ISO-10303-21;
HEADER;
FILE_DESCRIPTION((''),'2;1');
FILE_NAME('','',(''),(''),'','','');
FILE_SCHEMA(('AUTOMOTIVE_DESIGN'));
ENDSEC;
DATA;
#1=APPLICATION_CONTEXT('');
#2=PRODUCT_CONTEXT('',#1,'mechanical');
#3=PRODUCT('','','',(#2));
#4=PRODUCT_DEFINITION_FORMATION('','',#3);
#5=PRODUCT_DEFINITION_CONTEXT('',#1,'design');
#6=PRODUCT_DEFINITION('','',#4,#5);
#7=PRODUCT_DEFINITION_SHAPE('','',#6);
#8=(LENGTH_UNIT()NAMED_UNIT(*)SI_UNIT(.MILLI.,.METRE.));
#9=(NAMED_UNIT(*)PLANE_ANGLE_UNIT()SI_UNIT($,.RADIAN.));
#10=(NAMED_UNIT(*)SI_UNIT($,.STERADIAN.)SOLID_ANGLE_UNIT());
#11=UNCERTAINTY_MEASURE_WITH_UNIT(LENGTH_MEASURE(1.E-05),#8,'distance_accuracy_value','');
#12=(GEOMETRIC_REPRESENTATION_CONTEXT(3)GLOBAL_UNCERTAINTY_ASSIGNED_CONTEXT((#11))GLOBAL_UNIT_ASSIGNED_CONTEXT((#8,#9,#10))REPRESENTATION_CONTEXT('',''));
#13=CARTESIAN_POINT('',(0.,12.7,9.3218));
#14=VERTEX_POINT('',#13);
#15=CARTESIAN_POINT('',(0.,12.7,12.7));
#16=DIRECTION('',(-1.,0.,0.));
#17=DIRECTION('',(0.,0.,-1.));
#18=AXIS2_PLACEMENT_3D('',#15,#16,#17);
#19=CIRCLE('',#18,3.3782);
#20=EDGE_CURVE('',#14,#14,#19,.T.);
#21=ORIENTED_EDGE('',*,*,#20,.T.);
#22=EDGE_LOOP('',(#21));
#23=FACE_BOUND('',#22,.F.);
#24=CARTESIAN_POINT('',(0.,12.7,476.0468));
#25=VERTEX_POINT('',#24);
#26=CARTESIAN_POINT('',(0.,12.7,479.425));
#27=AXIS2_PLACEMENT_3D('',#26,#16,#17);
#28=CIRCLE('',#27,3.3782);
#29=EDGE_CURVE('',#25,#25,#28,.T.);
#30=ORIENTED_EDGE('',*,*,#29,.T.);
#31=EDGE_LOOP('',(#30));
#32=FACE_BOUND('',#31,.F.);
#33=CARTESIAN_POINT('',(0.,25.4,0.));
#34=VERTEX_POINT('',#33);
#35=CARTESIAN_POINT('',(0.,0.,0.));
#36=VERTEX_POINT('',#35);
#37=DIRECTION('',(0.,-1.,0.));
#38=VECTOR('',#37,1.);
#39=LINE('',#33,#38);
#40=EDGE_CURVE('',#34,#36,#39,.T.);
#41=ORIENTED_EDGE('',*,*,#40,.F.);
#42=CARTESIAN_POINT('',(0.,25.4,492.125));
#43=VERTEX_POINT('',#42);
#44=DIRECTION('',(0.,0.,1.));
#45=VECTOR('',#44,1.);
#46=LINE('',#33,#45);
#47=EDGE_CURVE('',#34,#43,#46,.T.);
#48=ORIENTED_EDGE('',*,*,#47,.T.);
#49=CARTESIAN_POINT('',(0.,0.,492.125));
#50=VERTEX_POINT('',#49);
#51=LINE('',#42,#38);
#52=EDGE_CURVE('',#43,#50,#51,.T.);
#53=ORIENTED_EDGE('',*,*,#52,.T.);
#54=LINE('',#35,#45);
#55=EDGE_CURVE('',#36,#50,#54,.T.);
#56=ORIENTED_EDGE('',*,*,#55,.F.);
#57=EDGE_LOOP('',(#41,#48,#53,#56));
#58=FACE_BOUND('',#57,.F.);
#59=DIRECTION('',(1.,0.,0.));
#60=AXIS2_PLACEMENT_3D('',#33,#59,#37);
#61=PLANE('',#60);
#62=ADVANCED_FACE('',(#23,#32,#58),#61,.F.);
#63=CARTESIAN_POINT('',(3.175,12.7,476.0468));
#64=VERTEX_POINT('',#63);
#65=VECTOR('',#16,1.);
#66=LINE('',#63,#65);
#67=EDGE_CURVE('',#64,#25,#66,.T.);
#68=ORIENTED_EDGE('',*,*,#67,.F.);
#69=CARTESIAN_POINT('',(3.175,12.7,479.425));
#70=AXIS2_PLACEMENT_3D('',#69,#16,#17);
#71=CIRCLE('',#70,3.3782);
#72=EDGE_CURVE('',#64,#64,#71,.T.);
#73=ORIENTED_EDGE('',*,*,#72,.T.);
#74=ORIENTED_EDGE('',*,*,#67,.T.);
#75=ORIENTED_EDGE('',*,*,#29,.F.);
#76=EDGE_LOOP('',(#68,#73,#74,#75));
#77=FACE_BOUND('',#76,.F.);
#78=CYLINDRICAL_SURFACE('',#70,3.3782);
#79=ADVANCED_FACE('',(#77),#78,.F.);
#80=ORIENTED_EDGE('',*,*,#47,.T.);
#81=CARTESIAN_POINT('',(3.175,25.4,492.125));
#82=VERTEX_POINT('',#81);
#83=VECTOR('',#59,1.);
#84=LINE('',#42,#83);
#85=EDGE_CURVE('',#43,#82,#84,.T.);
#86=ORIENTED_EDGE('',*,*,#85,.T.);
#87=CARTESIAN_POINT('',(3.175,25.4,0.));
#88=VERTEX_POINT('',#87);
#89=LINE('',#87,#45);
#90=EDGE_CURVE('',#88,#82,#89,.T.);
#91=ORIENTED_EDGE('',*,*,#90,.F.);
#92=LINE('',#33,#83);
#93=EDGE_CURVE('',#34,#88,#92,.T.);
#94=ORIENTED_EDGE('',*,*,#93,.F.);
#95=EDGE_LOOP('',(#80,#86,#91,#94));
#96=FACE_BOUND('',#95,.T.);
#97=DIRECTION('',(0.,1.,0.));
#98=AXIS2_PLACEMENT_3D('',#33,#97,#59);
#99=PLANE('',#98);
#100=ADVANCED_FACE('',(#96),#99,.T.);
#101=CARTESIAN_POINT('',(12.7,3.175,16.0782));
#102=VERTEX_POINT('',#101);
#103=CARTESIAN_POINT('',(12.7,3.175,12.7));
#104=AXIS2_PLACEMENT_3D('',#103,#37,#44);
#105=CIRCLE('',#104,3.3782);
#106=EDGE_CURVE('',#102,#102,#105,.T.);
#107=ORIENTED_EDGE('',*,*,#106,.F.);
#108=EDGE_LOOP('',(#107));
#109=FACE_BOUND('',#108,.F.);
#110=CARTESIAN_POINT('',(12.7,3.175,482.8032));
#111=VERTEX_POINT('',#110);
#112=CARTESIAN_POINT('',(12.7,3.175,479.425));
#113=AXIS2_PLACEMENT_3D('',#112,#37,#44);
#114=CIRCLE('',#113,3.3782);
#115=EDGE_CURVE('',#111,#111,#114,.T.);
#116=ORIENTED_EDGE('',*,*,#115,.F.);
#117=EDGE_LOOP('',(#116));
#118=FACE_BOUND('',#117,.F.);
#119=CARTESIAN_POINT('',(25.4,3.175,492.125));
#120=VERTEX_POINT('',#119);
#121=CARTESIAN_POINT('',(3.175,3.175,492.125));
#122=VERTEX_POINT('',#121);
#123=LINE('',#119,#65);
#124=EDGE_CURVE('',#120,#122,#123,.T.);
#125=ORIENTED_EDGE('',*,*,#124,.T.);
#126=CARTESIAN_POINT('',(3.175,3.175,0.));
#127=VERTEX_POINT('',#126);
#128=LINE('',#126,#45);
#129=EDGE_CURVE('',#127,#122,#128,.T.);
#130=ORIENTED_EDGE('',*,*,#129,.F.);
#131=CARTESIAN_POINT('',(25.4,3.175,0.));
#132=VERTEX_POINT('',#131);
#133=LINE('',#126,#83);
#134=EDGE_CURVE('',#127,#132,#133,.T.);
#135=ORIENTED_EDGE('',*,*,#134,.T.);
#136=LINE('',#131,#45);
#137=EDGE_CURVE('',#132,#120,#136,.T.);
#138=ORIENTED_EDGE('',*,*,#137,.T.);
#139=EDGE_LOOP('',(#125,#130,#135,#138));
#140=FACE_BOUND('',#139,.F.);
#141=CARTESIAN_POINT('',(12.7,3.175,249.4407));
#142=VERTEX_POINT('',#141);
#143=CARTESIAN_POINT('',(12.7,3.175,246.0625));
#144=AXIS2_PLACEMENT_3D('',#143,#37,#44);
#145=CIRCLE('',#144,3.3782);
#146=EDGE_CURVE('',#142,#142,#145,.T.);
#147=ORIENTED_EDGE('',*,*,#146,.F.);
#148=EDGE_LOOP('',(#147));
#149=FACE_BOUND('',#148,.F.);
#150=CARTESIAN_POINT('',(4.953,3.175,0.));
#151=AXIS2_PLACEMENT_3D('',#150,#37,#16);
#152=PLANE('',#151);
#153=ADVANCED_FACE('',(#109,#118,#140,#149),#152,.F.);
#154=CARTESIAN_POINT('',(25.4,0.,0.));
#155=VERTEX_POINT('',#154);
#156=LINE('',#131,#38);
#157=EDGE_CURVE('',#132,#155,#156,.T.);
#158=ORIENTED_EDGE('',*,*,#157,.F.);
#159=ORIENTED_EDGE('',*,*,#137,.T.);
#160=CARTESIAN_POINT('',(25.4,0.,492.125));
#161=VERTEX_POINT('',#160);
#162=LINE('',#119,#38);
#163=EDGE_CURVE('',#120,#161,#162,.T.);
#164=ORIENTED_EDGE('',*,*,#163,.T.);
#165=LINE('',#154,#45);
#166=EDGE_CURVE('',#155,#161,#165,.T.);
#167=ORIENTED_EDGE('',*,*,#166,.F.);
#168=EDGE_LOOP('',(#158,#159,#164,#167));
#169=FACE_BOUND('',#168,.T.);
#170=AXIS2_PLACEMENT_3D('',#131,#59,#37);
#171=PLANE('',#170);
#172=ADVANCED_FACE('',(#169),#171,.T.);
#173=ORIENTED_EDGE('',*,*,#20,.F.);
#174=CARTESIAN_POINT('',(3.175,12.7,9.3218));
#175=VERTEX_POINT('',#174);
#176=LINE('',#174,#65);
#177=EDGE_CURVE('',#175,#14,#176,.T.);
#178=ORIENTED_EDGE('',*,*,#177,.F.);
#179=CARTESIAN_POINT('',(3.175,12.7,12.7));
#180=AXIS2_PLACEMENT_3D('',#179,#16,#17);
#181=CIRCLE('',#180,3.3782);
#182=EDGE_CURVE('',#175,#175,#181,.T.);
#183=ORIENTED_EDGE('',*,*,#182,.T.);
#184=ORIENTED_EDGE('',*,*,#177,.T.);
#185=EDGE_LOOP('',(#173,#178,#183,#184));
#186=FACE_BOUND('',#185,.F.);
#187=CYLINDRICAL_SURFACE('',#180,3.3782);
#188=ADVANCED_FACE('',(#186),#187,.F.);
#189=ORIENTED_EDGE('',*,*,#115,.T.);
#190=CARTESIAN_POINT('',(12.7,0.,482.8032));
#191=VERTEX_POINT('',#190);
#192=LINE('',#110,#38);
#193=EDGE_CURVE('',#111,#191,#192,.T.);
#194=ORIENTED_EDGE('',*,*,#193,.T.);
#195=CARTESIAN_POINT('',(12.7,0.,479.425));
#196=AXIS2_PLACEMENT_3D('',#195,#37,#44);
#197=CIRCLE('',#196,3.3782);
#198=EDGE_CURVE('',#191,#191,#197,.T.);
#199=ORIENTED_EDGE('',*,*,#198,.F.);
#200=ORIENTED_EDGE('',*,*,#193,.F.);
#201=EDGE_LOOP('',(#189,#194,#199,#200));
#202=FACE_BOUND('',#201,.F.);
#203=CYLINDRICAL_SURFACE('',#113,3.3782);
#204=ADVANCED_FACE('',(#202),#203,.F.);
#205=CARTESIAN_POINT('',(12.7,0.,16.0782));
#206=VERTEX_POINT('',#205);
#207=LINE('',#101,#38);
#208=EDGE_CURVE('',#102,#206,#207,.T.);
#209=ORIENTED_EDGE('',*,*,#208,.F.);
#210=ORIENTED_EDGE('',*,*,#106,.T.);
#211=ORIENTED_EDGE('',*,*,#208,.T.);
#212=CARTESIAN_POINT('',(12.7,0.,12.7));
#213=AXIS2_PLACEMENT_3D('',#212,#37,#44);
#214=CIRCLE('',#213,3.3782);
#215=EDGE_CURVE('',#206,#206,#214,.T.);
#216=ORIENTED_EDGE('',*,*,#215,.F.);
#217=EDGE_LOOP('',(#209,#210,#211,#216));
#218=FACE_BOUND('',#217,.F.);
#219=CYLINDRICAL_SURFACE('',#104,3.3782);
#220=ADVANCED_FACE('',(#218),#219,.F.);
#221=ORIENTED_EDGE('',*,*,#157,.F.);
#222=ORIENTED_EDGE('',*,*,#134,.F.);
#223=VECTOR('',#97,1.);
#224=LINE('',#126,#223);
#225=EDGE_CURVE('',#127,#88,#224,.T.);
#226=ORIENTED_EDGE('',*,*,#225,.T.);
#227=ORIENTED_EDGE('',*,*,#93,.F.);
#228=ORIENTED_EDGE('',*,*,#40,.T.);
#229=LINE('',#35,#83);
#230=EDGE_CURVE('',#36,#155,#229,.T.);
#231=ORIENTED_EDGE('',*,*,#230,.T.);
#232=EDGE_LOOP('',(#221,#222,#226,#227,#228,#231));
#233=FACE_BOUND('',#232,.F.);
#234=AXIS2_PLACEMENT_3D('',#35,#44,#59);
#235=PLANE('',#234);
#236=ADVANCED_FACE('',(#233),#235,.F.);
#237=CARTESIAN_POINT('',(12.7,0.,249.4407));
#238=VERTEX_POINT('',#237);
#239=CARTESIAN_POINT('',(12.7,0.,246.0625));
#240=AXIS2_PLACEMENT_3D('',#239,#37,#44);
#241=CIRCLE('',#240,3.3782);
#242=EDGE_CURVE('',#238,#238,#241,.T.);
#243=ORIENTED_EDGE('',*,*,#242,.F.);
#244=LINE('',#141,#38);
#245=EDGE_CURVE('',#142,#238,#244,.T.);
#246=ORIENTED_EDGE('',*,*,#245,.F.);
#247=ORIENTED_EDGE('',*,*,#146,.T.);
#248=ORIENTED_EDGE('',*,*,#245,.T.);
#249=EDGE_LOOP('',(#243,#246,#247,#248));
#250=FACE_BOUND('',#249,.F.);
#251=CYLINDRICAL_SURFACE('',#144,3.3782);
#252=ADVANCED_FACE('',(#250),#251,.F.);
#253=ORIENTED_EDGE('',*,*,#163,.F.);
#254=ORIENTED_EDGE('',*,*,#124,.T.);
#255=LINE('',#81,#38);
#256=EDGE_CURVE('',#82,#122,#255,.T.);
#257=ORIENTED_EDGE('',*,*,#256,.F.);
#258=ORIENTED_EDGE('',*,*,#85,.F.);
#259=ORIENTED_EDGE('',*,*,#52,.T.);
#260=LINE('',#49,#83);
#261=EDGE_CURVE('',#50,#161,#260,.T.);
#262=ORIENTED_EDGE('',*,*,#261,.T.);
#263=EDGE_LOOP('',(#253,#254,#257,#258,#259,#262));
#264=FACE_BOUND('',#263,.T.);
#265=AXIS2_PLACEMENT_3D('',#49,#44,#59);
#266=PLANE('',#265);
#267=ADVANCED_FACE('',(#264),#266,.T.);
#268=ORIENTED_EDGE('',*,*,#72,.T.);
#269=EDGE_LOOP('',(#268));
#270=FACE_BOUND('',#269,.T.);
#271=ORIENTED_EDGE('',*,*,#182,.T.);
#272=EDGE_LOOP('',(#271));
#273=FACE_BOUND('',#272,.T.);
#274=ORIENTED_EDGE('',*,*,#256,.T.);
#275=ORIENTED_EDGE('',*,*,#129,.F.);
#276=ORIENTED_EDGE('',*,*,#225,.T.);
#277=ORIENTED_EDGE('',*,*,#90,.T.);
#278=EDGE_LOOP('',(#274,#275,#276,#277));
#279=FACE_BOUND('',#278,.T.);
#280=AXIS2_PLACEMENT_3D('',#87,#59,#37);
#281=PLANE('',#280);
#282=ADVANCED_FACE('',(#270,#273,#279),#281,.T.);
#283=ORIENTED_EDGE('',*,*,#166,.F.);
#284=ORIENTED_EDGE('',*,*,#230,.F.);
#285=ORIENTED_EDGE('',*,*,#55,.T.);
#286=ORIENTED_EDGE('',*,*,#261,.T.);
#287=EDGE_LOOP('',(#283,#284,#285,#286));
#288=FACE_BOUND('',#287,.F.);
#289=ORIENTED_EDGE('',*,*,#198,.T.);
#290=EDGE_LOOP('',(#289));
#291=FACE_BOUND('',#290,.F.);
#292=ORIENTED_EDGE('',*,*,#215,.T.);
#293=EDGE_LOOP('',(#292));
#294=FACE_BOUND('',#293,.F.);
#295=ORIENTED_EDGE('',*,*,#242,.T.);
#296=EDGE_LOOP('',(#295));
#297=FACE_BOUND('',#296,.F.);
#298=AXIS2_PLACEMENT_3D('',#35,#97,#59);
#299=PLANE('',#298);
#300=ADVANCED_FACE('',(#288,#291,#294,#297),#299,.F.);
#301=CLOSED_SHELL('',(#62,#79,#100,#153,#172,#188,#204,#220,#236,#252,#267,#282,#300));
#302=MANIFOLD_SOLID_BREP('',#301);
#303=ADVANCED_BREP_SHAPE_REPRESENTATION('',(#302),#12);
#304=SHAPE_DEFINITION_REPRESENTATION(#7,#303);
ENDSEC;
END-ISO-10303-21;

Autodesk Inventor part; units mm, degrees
ref_plane "YZ Plane" through (0, 0, 0) normal (1, 0, 0) x (0, 1, 0)
ref_plane "XZ Plane" through (0, 0, 0) normal (0, 1, 0) x (-1, 0, 0)
ref_plane "XY Plane" through (0, 0, 0) normal (0, 0, 1) x (1, 0, 0)
sketch "Sketch1" plane through (0, 0, 0) normal (0, 0, 1) x (1, 0, 0)
  line L0 (0, 25.4) -> (0, 0)
  line L1 (0, 0) -> (25.4, 0)
  line L2 (3.175, 25.4) -> (3.175, 4.953)
  line L3 (4.953, 3.175) -> (25.4, 3.175)
  line L4 (0, 25.4) -> (3.175, 25.4)
  line L5 (25.4, 3.175) -> (25.4, 0)
  line L6 (3.175, 4.953) -> (3.175, 3.175)
  line L7 (4.953, 3.175) -> (3.175, 3.175)
  dimension "d0" = 25.4
  dimension "d1" = 25.4
  dimension "d2" = 3.175
extrude "Extrusion1" add sketch "Sketch1" along normal blind 492.125
sketch "Sketch2" plane through (3.175, 3.175, 0) normal (0, 1, 0) x (1, 0, 0)
  circle A0 centre (9.525, -479.425) radius 2.8398
  line L0 (22.225, -492.125) -> (0, -492.125) projected
  line L1 (22.225, 0) -> (22.225, -492.125) projected
  circle A1 centre (9.525, -12.7) radius 2.8398
  line L2 (22.225, 0) -> (0, 0) projected
  point P0 (-3.175, 0)
  point P1 (1.778, -492.125)
  point P2 (1.778, 0)
  dimension "d5" = 12.7
  dimension "d6" = 12.7
  dimension "d9" = 466.725
  dimension "d31" = 12.7
hole "rail" at (12.7, 3.175, 479.425) at (12.7, 3.175, 12.7) direction (0, -1, 0) diameter 6.7564 depth 25.4 tip angle 118 clearance for "Flat Head Machine Screw (82)" size "1/4" standard "Ansi Unified Screw Threads"
sketch "Sketch7" plane through (3.175, 3.175, 0) normal (1, 0, 0) x (0, 0, -1)
  circle A0 centre (-479.425, 9.525) radius 2.8124
  line L0 (0, 22.225) -> (-492.125, 22.225) projected
  line L1 (-492.125, 0) -> (-492.125, 22.225) projected
  circle A1 centre (-12.7, 9.525) radius 2.8124
  point P0 (0, -3.175)
  dimension "d43" = 12.7
  dimension "d44" = 12.7
  dimension "d47" = 466.725
hole "mount" at (3.175, 12.7, 479.425) at (3.175, 12.7, 12.7) direction (-1, 0, 0) diameter 6.7564 depth 25.4 tip angle 118 clearance for "Flat Head Machine Screw (82)" size "1/4" standard "Ansi Unified Screw Threads"
sketch "Sketch8" plane through (3.175, 3.175, 0) normal (0, 1, 0) x (1, 0, 0)
  circle A0 centre (9.525, -479.425) radius 3.3782 projected
  circle A1 centre (9.525, -12.7) radius 3.3782 projected
  line L0 (9.525, -479.425) -> (9.525, -12.7) construction
  circle A2 centre (9.525, -246.0625) radius 3.3782
  point P0 (-3.175, 0)
hole "Hole5" at (12.7, 3.175, 246.0625) direction (0, -1, 0) diameter 6.7564 depth 25.4 tip angle 118 clearance for "Flat Head Machine Screw (82)" size "1/4" standard "Ansi Unified Screw Threads"
properties part number "angle_L11"
